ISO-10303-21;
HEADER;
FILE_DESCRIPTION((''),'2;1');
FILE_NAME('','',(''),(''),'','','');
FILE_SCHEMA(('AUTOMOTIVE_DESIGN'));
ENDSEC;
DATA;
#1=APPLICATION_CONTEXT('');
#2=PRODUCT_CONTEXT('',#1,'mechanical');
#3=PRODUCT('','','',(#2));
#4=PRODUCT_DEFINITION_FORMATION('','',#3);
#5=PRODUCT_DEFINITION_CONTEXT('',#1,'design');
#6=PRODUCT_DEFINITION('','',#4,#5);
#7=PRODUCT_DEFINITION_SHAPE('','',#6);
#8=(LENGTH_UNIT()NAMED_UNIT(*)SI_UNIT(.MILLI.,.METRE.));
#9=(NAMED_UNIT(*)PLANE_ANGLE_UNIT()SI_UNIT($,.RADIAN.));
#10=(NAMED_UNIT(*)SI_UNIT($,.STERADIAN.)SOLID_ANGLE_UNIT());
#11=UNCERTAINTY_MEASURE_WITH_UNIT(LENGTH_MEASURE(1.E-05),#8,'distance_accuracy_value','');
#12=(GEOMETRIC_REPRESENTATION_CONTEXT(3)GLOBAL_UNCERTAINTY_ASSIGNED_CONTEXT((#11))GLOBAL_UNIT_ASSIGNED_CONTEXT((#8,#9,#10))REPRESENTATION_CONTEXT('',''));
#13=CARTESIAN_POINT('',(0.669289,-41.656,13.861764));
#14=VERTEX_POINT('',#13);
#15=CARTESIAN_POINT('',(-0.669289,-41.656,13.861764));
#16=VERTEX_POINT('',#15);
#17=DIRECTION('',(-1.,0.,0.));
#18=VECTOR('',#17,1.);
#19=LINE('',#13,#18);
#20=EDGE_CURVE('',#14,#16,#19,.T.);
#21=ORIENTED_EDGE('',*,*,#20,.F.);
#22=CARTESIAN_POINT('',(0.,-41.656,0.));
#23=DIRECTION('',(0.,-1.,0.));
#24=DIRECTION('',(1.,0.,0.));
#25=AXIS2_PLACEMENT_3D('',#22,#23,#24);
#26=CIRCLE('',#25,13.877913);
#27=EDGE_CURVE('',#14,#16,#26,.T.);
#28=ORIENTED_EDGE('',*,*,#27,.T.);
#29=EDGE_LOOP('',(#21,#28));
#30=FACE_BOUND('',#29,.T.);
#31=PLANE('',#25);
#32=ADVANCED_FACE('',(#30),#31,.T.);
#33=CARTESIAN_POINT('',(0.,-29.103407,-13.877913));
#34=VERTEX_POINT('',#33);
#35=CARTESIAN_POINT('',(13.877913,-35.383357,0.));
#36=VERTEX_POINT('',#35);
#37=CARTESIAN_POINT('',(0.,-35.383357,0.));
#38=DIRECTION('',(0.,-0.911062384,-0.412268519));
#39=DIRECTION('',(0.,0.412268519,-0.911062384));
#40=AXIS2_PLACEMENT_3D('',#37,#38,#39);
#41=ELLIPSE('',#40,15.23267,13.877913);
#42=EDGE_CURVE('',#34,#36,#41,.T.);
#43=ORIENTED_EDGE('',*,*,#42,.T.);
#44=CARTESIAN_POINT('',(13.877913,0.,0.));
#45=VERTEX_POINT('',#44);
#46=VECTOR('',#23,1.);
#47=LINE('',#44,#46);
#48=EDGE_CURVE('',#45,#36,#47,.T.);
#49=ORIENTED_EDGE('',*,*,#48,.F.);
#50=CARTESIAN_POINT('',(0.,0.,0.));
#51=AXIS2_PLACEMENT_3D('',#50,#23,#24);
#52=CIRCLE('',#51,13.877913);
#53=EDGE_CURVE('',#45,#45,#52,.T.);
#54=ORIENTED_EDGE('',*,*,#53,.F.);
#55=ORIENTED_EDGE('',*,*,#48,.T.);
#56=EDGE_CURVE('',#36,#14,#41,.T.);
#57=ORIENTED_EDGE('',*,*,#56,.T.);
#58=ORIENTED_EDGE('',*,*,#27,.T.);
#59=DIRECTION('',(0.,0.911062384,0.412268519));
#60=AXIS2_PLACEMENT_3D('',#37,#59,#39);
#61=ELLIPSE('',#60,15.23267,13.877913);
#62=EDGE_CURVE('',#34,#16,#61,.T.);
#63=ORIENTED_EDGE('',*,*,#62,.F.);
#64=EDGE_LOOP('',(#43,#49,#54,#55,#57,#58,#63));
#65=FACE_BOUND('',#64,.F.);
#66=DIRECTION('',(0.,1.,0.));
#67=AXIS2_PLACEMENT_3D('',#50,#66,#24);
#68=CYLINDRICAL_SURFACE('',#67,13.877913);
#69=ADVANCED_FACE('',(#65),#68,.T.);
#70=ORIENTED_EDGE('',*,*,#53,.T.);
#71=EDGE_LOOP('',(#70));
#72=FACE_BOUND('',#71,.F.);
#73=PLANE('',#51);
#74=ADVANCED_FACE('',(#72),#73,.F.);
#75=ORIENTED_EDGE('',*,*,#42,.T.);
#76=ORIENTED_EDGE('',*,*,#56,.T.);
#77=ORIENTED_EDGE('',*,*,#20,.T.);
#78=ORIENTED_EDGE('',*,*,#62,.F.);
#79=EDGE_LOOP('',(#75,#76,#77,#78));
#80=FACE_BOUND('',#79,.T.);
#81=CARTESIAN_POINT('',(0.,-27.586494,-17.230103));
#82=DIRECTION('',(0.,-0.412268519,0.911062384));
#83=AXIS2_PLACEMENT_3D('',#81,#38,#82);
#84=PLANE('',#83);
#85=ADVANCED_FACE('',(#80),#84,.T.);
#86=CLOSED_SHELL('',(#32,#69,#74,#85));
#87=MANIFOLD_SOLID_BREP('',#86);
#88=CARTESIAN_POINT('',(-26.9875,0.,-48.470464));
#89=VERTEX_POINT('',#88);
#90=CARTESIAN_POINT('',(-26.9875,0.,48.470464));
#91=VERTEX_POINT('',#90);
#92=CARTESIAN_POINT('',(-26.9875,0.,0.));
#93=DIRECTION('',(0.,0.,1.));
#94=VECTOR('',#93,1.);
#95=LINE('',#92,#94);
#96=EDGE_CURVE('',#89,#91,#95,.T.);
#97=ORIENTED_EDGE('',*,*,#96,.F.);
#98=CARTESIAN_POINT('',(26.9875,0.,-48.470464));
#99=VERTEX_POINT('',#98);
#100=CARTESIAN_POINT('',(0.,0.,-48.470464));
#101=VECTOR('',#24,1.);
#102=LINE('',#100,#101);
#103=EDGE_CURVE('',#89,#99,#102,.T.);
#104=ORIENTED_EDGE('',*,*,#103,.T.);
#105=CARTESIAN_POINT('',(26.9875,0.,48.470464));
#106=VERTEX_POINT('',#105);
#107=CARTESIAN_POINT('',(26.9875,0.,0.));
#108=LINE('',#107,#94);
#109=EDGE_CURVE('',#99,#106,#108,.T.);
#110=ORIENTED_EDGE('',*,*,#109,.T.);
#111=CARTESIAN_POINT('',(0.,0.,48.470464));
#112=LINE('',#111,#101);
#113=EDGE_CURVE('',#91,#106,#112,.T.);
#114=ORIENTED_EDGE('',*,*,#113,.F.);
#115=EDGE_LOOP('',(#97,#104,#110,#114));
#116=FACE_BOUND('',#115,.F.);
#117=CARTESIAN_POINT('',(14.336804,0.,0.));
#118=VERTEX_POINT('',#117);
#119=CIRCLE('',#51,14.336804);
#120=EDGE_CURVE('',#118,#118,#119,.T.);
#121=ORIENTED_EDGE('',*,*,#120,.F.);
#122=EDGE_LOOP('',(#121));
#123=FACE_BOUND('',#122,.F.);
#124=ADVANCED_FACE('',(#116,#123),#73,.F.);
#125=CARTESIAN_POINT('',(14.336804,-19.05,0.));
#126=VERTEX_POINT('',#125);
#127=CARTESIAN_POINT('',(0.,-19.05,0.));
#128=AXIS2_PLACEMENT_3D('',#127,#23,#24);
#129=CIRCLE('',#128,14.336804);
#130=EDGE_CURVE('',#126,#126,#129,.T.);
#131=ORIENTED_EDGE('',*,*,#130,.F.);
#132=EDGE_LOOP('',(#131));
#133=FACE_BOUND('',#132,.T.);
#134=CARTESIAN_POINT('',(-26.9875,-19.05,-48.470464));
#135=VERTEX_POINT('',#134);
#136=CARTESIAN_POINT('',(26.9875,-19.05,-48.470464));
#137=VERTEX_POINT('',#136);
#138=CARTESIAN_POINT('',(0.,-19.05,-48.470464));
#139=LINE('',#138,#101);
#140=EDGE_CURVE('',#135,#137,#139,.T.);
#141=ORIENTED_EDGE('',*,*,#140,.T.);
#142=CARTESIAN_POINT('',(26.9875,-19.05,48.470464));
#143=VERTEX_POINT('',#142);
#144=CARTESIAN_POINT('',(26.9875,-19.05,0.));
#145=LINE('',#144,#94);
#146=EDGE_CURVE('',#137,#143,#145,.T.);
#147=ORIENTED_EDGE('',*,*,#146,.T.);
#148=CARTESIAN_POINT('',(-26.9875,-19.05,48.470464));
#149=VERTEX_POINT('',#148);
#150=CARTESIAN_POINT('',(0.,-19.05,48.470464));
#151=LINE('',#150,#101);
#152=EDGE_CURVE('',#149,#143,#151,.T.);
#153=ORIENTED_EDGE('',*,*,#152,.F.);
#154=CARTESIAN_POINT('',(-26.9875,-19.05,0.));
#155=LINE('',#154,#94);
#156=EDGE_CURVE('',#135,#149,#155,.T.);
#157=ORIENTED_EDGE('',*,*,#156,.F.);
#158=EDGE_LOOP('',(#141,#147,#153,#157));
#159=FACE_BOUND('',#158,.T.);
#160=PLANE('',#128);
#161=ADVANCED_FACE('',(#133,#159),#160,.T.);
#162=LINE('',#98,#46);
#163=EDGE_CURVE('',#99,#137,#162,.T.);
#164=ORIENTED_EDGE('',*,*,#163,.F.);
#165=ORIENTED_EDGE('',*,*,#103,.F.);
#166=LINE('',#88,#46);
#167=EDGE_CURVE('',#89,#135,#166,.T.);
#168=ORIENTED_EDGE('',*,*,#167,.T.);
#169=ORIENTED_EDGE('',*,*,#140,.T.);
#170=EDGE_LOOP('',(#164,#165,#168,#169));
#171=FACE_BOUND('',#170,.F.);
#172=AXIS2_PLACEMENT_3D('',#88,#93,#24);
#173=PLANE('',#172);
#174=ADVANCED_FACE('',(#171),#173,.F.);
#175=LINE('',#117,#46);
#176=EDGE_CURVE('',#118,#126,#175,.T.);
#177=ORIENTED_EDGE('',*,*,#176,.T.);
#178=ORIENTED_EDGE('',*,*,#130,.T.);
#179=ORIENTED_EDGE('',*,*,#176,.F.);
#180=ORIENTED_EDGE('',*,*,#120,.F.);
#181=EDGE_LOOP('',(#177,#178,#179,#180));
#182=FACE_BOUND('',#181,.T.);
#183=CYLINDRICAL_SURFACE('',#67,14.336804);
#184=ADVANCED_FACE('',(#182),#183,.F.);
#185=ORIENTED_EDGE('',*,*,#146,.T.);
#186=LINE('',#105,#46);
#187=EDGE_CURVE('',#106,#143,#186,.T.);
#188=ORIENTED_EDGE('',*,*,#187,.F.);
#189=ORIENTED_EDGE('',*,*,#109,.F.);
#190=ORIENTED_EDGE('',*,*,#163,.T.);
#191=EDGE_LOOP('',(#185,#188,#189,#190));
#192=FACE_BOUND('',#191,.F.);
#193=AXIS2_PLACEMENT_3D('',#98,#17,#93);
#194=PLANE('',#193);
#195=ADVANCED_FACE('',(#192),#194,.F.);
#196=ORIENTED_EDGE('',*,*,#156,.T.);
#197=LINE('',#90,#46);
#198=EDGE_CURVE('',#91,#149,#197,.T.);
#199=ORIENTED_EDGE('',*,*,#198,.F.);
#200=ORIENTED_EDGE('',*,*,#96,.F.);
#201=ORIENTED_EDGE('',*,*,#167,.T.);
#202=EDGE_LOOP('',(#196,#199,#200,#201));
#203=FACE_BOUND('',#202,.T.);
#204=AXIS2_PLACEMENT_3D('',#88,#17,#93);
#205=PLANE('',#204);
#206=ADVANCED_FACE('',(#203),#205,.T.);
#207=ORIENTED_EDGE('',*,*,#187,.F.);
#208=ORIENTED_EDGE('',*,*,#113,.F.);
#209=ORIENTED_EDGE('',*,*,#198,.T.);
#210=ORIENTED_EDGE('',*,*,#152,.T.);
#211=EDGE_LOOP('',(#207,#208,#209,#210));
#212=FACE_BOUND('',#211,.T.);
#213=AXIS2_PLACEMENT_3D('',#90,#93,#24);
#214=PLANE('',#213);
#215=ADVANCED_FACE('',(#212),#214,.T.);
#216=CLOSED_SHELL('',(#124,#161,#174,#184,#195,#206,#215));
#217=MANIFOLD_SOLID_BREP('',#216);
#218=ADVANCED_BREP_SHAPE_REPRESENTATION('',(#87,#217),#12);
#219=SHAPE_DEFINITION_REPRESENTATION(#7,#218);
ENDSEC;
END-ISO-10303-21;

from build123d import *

# Parameters (mm, degrees)
F0_W          = 53.9750009775
F0_H          = 96.9409272075
F0_R          = 14.3368039947
F1_DEPTH      = 19.05
F2_R          = 13.8779125856
F3_DEPTH      = 41.656
F5_DEPTH      = 25.4
F5_DEPTH_BACK = 25.4


with BuildPart() as f1:
    # F0 (on Front) → F1 (new body)
    with BuildSketch(Plane.XZ):
        Rectangle(F0_W, F0_H)
        Circle(F0_R, mode=Mode.SUBTRACT)
    extrude(amount=F1_DEPTH)


with BuildPart() as f3:
    # F2 (on Front) → F3 (new body)
    with BuildSketch(Plane.XZ):
        Circle(F2_R)
    extrude(amount=F3_DEPTH)

    # F4 (on Right) → F5 (cut, two sides)
    with BuildSketch(Plane.YZ) as f5_sk:
        Polygon((-27.5864936411, -17.2301027924), (-42.4337126315, 15.5804129317), (-42.0671105385, -17.2301027924), align=None)
    extrude(amount=-F5_DEPTH, mode=Mode.SUBTRACT)
    extrude(f5_sk.sketch, amount=F5_DEPTH_BACK, mode=Mode.SUBTRACT)


solid = Compound([f1.part, f3.part])
